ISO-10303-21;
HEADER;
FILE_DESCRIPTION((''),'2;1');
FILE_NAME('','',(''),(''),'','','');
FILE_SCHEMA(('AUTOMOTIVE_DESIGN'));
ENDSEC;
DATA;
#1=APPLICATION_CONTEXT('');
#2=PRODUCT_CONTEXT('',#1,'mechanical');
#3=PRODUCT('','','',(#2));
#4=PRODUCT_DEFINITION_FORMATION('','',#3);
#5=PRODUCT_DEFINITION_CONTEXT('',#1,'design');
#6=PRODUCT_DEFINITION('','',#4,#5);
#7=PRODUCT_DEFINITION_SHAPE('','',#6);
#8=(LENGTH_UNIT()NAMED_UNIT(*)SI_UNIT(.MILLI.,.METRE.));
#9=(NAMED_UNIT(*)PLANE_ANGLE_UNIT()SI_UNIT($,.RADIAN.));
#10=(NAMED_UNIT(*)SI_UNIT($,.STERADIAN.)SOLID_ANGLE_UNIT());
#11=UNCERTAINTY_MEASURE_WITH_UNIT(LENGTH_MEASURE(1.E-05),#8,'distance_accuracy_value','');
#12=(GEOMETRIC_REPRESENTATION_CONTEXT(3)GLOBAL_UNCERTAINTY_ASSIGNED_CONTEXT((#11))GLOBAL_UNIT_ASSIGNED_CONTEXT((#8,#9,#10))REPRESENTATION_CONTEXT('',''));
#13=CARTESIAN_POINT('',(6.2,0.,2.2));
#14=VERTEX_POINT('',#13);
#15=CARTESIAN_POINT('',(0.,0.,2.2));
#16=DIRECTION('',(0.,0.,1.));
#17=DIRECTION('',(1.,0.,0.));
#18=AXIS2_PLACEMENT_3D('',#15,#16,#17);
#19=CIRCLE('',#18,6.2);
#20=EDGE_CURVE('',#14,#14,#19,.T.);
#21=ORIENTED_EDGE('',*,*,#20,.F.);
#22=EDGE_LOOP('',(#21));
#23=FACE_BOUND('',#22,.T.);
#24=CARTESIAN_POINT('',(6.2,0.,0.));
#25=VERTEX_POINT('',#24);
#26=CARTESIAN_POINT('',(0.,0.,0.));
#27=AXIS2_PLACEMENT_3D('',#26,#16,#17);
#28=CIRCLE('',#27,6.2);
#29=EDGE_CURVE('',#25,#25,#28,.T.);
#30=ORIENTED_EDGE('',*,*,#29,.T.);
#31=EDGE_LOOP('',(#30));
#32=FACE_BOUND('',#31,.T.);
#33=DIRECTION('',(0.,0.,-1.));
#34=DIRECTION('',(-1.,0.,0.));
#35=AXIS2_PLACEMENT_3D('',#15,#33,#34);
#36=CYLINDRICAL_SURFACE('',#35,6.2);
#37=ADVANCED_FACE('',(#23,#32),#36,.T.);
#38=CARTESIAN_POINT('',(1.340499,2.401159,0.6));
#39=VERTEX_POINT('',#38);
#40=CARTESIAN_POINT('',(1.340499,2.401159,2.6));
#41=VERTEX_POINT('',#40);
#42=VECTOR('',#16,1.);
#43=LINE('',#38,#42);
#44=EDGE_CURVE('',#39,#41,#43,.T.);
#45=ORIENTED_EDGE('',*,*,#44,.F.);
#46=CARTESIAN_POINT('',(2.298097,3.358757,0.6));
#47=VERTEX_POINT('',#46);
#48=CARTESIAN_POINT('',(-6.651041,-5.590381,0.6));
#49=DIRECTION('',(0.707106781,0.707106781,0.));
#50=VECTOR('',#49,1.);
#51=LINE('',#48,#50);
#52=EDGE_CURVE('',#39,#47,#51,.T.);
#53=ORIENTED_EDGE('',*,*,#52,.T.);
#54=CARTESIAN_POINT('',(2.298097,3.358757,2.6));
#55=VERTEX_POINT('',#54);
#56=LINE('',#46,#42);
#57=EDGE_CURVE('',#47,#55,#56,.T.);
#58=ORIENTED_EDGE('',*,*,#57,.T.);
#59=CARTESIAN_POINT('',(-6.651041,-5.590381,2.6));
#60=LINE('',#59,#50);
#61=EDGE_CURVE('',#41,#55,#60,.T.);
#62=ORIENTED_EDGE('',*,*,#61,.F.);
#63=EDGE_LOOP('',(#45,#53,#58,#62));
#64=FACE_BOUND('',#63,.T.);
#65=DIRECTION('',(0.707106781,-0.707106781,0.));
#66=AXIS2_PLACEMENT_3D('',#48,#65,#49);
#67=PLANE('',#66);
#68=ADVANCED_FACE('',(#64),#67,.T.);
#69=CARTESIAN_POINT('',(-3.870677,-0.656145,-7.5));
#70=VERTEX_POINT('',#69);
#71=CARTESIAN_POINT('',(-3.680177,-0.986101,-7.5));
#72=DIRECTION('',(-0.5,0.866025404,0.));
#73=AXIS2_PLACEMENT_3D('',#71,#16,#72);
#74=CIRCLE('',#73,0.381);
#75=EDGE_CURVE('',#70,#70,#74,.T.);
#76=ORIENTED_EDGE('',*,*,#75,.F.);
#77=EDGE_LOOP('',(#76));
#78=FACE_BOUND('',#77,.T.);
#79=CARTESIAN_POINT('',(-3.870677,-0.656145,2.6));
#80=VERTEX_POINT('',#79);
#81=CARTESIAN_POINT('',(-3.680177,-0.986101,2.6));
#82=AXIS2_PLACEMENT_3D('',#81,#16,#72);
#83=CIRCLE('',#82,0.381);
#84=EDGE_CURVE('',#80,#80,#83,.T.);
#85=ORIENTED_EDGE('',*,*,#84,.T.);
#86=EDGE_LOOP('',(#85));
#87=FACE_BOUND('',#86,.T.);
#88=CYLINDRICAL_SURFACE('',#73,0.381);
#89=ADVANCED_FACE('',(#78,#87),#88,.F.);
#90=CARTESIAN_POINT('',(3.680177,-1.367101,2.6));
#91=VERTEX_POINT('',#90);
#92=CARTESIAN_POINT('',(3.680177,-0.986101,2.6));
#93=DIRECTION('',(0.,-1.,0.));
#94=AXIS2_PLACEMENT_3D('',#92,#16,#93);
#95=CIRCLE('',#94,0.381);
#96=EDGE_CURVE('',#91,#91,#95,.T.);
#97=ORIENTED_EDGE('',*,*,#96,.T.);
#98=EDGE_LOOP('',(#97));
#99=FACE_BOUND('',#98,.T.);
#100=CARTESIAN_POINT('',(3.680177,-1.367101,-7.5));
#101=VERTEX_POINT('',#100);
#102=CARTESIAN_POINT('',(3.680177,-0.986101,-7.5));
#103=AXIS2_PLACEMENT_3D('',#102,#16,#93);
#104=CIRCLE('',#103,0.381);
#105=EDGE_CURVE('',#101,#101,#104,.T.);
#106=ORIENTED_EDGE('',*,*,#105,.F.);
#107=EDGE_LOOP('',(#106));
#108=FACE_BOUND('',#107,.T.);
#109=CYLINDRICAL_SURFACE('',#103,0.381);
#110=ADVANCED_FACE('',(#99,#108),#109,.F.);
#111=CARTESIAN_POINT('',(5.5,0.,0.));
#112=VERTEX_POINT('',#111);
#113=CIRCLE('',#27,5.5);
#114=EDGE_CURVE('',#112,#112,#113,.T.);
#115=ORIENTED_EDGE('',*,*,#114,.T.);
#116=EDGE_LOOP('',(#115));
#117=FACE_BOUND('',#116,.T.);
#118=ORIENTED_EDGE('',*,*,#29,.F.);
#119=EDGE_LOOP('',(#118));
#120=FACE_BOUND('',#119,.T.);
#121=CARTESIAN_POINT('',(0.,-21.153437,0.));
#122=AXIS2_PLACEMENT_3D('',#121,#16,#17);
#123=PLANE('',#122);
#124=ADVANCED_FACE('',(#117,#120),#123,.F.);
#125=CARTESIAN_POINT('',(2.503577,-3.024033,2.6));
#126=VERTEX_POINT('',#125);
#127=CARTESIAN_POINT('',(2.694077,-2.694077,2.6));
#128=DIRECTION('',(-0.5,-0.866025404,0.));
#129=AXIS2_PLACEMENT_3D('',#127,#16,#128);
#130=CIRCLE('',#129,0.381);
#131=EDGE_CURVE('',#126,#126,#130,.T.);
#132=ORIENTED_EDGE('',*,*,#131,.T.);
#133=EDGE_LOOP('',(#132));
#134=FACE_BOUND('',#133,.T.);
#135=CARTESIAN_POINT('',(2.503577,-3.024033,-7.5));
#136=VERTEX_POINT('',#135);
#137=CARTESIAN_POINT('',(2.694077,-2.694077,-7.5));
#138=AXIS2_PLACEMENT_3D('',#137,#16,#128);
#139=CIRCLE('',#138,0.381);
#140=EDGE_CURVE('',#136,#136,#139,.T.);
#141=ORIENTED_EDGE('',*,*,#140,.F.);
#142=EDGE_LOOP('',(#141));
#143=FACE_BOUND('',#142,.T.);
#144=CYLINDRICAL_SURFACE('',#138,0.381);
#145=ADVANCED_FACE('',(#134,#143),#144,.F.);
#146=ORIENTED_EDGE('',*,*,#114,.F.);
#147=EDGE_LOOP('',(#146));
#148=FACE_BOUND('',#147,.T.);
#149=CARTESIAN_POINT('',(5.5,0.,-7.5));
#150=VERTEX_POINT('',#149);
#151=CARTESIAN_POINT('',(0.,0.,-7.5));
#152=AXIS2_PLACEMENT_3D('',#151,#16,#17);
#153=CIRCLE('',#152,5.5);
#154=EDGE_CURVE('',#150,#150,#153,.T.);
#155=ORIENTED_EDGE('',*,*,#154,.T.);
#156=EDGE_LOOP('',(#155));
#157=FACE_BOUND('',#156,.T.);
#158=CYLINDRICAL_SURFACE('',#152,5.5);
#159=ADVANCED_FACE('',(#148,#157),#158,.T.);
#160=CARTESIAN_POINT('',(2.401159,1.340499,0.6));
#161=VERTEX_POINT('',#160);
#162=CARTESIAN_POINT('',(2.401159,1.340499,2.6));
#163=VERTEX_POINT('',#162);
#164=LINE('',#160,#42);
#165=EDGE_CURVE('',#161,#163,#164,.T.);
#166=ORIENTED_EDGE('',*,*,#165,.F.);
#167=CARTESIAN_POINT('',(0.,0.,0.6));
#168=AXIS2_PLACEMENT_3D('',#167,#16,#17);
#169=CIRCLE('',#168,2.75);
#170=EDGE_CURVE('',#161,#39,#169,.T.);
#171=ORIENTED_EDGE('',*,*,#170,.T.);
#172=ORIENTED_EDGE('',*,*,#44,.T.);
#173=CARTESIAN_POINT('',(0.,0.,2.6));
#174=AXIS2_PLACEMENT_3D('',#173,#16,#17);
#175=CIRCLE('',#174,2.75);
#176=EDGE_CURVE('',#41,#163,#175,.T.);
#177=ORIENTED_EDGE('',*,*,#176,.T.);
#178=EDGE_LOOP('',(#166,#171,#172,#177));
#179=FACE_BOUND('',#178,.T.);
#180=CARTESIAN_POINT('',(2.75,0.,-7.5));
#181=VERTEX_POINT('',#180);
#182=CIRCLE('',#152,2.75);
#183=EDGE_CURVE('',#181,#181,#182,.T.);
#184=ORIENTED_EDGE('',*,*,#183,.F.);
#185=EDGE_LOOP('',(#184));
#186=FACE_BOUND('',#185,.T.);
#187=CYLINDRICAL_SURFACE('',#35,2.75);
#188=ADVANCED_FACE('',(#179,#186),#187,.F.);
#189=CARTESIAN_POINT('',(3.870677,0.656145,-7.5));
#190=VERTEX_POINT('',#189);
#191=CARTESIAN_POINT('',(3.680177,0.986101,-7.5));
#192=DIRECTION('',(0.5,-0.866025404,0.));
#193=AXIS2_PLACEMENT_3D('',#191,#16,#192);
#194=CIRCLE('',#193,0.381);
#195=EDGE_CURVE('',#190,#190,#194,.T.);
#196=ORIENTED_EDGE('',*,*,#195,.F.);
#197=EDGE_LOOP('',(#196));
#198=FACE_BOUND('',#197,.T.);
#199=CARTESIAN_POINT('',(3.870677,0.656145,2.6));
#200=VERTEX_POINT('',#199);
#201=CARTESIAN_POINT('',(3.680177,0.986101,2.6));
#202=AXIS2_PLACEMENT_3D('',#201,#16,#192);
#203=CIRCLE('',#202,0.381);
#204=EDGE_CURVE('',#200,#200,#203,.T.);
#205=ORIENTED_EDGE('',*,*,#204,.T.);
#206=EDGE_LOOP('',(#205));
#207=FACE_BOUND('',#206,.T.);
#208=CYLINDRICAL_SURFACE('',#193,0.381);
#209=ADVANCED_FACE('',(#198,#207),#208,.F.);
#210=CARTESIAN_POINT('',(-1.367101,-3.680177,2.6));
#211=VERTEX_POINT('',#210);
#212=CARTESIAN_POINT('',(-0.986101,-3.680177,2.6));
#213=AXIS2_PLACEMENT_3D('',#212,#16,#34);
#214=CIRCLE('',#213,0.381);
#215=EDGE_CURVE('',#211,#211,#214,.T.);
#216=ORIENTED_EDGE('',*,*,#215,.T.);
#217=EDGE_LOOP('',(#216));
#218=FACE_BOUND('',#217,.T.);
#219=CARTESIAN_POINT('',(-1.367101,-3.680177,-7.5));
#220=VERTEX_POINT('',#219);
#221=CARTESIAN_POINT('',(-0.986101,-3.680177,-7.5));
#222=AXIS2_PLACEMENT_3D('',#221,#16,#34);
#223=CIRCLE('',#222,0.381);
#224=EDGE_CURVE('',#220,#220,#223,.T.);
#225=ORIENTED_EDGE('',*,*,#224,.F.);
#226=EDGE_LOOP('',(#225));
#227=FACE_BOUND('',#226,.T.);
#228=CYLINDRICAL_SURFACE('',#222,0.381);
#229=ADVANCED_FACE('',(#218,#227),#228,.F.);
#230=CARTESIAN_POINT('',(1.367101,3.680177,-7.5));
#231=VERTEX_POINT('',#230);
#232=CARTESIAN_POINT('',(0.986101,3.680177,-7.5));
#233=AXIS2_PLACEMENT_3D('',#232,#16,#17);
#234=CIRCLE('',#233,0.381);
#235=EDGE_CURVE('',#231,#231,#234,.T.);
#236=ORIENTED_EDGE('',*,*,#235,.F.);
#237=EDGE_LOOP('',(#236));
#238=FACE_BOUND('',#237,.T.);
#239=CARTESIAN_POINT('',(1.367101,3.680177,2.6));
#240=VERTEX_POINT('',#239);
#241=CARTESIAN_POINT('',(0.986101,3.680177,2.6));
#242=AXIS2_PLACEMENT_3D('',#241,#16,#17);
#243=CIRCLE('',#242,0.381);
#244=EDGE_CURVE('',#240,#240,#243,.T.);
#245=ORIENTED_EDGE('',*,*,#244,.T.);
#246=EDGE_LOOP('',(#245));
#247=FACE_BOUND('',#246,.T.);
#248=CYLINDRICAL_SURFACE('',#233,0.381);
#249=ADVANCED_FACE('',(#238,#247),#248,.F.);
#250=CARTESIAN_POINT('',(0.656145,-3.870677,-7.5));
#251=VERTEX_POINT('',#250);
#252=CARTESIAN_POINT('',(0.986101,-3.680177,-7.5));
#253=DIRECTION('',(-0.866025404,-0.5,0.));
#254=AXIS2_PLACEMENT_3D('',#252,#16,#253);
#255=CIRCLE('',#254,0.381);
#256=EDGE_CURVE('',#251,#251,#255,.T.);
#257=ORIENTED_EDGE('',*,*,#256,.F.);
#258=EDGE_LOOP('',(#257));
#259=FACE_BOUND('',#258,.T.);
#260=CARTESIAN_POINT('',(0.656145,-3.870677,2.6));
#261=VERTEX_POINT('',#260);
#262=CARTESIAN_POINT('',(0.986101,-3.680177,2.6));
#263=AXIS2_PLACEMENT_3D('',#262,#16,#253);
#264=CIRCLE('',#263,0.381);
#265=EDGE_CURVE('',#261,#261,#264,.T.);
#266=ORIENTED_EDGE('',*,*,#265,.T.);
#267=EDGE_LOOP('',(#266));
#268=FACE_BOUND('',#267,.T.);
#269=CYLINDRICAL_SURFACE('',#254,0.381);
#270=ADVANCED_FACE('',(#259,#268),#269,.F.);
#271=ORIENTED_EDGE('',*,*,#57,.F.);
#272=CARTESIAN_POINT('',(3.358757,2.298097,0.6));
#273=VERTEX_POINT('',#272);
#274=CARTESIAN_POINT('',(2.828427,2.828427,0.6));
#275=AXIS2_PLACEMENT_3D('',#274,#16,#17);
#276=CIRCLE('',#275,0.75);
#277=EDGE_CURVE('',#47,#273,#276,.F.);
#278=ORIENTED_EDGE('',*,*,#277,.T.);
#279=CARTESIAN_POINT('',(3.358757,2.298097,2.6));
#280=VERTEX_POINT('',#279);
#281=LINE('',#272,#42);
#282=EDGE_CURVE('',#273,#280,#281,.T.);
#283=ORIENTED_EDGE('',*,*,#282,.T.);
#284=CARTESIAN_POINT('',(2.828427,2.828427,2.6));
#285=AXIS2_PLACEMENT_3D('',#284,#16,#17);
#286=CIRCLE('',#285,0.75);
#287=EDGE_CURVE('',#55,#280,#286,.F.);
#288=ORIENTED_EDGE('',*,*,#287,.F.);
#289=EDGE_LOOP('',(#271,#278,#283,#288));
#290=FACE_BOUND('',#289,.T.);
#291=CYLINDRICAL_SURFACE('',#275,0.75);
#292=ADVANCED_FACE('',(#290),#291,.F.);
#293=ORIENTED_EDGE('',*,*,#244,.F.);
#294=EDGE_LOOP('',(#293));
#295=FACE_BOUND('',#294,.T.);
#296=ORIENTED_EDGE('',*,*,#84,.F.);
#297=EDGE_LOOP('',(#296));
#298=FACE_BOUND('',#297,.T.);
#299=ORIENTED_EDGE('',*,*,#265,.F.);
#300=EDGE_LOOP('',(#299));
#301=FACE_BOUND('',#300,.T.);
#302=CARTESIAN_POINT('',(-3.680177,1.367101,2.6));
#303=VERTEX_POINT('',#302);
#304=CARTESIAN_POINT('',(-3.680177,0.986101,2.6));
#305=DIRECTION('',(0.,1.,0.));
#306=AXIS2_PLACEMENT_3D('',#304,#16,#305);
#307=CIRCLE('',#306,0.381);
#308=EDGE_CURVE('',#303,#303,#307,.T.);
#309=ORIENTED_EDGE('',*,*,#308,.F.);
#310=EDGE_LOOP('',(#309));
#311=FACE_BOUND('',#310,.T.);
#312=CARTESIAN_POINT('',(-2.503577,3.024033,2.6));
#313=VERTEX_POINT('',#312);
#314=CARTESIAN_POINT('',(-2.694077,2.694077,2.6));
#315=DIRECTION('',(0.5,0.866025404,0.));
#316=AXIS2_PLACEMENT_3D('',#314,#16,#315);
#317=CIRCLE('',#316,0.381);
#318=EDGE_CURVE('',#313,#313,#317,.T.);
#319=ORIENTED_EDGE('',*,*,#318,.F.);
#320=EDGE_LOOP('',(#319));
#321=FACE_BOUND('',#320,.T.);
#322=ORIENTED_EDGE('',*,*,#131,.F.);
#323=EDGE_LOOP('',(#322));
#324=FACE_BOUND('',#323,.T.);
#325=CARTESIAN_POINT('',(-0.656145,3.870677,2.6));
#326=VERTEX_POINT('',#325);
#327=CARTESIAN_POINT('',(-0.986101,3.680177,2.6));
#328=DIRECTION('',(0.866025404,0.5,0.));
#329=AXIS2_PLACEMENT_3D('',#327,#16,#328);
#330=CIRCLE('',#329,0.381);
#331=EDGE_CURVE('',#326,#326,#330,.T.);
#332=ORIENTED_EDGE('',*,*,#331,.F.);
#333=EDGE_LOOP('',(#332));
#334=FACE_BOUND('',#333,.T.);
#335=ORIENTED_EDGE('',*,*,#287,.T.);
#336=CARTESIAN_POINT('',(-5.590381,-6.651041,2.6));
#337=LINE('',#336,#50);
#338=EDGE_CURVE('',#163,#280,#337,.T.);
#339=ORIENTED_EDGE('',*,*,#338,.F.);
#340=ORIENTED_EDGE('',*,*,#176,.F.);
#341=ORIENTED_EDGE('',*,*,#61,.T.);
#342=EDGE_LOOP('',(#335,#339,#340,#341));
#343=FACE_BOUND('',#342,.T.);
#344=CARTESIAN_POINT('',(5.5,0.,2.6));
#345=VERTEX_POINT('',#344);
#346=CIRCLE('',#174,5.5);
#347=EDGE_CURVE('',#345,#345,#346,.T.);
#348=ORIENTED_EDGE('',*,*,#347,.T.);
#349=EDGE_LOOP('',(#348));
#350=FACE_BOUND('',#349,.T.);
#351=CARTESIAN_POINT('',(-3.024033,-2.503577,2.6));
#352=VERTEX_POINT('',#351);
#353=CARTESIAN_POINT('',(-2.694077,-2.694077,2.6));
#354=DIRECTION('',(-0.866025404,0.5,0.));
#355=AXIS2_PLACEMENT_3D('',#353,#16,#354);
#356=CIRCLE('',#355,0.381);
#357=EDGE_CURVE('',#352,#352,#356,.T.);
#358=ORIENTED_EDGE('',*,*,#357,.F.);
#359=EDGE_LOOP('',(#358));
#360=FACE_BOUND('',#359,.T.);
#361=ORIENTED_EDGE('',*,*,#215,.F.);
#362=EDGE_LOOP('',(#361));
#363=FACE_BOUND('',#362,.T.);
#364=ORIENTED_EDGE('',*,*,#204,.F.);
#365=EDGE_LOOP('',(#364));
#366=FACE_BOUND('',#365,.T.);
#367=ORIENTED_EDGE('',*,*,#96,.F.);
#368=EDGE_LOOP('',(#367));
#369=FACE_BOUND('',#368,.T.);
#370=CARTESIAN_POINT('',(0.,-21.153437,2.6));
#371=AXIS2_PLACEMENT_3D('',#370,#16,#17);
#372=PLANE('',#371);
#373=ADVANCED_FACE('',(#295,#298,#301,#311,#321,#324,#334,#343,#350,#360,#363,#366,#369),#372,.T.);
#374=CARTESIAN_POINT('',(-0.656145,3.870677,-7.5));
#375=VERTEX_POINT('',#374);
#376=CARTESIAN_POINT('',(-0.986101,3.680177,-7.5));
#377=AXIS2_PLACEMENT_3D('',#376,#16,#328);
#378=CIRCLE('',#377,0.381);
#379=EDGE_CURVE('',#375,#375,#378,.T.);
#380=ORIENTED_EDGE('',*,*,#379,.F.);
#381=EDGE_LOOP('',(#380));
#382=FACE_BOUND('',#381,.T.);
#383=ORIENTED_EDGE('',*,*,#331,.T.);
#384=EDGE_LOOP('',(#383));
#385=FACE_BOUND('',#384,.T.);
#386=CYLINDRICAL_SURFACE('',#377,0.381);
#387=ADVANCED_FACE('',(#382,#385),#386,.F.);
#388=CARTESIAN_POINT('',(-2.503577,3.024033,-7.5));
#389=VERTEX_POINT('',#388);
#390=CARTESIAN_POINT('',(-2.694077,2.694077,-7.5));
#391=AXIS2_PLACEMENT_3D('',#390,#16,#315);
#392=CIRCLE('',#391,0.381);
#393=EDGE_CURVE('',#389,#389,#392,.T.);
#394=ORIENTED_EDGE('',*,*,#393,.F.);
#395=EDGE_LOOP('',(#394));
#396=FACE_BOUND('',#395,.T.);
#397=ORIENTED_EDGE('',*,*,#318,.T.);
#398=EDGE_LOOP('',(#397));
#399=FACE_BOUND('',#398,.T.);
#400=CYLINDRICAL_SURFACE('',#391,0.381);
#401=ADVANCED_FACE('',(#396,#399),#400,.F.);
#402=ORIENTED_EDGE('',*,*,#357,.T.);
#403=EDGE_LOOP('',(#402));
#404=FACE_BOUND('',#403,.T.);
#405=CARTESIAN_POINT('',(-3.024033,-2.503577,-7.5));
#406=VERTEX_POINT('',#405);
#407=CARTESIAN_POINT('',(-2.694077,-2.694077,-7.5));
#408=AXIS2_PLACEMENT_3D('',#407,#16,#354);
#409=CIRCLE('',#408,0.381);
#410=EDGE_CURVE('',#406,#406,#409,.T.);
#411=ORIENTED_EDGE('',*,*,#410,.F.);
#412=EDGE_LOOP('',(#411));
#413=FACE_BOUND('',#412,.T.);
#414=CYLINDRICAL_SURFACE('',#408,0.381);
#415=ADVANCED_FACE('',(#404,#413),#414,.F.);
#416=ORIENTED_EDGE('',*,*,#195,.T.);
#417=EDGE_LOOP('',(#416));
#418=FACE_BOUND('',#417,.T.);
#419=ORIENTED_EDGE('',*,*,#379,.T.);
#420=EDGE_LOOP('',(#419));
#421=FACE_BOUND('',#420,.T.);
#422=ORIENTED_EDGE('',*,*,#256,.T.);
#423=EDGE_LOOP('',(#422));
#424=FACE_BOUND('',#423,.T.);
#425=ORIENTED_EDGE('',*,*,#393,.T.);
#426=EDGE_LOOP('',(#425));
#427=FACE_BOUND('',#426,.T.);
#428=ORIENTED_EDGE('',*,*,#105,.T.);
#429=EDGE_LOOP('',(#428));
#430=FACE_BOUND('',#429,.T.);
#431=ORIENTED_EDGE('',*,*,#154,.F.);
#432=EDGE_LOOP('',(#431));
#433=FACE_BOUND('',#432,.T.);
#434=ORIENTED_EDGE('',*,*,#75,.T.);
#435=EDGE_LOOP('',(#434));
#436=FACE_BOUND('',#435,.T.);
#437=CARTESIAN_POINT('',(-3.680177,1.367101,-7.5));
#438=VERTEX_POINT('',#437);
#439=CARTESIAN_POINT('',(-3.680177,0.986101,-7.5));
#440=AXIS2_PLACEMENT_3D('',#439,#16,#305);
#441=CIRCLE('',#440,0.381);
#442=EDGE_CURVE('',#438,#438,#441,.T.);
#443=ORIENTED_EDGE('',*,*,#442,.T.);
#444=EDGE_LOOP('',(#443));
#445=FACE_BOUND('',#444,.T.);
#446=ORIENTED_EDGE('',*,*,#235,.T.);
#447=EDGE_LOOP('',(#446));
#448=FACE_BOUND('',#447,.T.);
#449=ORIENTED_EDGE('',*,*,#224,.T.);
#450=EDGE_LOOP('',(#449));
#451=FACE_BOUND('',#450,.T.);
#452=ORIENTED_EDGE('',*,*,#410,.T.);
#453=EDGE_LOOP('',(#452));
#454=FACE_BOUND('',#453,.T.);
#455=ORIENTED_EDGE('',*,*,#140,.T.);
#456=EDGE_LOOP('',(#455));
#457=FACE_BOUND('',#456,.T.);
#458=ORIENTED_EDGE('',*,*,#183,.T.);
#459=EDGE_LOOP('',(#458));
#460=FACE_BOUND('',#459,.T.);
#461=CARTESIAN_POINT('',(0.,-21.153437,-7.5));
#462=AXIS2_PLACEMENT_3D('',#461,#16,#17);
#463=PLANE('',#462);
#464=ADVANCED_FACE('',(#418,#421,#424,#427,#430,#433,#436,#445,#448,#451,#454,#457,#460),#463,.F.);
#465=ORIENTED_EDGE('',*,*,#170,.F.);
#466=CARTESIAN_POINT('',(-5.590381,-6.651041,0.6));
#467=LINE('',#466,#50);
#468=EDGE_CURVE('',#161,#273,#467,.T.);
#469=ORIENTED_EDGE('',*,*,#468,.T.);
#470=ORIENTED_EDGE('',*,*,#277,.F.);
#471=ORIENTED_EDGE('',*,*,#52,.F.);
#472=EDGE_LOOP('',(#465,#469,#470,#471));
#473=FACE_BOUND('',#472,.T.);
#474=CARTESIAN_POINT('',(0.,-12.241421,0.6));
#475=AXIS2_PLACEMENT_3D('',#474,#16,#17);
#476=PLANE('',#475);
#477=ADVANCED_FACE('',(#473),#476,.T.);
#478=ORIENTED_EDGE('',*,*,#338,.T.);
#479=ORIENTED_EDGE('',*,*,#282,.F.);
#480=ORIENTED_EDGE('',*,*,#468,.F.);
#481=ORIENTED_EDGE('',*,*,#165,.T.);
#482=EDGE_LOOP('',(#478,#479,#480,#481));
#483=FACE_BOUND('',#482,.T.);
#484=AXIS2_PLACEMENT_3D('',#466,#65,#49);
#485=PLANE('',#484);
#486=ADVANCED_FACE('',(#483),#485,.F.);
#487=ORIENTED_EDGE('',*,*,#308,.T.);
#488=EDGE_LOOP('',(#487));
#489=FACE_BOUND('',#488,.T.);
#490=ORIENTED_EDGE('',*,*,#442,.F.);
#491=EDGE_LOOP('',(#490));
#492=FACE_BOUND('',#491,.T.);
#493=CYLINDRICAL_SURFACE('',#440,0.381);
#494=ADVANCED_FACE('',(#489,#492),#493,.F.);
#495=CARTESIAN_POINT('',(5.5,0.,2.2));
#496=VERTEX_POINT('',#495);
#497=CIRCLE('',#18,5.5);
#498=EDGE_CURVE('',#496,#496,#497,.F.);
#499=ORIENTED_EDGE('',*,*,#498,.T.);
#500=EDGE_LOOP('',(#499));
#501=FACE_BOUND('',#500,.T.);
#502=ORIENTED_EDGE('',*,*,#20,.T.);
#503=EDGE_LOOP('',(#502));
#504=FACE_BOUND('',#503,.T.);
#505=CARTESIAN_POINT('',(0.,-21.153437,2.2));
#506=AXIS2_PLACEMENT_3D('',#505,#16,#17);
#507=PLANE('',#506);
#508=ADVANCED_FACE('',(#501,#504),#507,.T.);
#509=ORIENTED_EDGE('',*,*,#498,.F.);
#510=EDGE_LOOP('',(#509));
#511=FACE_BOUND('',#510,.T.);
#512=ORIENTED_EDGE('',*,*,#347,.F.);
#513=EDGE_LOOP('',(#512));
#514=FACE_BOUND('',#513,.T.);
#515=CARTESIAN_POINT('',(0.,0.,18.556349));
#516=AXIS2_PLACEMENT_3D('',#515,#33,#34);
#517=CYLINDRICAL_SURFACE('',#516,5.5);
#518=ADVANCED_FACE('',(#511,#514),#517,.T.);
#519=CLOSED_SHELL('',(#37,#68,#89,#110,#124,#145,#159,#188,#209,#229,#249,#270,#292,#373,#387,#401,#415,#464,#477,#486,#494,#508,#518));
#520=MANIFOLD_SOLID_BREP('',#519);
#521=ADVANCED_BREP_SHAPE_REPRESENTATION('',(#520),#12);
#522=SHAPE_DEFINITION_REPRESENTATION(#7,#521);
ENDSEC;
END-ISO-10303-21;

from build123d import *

# Parameters (mm, degrees)
SKETCH_1_R               = 6.2
SKETCH_1_R_2             = 2.75
EXTRUDE_1_DEPTH          = 2.2
SKETCH_1_5_R             = 5.5
SKETCH_1_5_R_2           = 2.75
EXTRUDE_3_DEPTH          = 7.5
EXTRUDE_START            = 2.2
SKETCH_1_6_R             = 5.5
SKETCH_1_6_R_2           = 2.75
EXTRUDE_4_DEPTH          = 0.4
SKETCH_2_R               = 0.381
CUT_EXTRUDE_1_DEPTH      = 14.374976635
PATTERN_CIRCULAR_1_COUNT = 12
CUT_EXTRUDE_2_DEPTH      = 2


with BuildPart() as part:
    # Sketch 1 → Extrude 1 (new body)
    with BuildSketch(Plane.XY):
        Circle(SKETCH_1_R)
        Circle(SKETCH_1_R_2, mode=Mode.SUBTRACT)
    extrude(amount=EXTRUDE_1_DEPTH)

    # Sketch 1_5 → Extrude 3 (add)
    with BuildSketch(Plane.XY):
        Circle(SKETCH_1_5_R)
        Circle(SKETCH_1_5_R_2, mode=Mode.SUBTRACT)
    extrude(amount=-EXTRUDE_3_DEPTH)

    # Sketch 1_6 → Extrude 4 (add)
    with BuildSketch(Plane.XY.offset(EXTRUDE_START)):
        Circle(SKETCH_1_6_R)
        Circle(SKETCH_1_6_R_2, mode=Mode.SUBTRACT)
    extrude(amount=EXTRUDE_4_DEPTH)

    # Sketch 2 → Cut-Extrude 1 (cut, through all)
    with BuildSketch(Plane.XY.offset(2.6)):
        with Locations((0.986100562, 3.680177398)):
            Circle(SKETCH_2_R)
    cut_extrude_1 = extrude(amount=-CUT_EXTRUDE_1_DEPTH, mode=Mode.SUBTRACT)

    # Pattern Circular 1: Cut-Extrude 1 ×12 about axis, 1 skipped
    pattern_circular_1_axis = Axis((0, 0, 0), (0, 0, 1))
    add([cut_extrude_1.rotate(pattern_circular_1_axis, i * 360 / PATTERN_CIRCULAR_1_COUNT) for i in range(1, PATTERN_CIRCULAR_1_COUNT) if i not in (11,)], mode=Mode.SUBTRACT)

    # Sketch 4 → Cut-Extrude 2 (cut)
    with BuildSketch(Plane.XY.offset(2.6)):
        with BuildLine():
            ThreePointArc((1.340498607, 2.401158779), (1.944543648, 1.944543648), (2.401158779, 1.340498607))
            Line((2.401158779, 1.340498607), (3.358757211, 2.298097039))
            ThreePointArc((3.358757211, 2.298097039), (3.358757211, 3.358757211), (2.298097039, 3.358757211))
            Line((2.298097039, 3.358757211), (1.340498607, 2.401158779))
        make_face()
    extrude(amount=-CUT_EXTRUDE_2_DEPTH, mode=Mode.SUBTRACT)


solid = part.part
